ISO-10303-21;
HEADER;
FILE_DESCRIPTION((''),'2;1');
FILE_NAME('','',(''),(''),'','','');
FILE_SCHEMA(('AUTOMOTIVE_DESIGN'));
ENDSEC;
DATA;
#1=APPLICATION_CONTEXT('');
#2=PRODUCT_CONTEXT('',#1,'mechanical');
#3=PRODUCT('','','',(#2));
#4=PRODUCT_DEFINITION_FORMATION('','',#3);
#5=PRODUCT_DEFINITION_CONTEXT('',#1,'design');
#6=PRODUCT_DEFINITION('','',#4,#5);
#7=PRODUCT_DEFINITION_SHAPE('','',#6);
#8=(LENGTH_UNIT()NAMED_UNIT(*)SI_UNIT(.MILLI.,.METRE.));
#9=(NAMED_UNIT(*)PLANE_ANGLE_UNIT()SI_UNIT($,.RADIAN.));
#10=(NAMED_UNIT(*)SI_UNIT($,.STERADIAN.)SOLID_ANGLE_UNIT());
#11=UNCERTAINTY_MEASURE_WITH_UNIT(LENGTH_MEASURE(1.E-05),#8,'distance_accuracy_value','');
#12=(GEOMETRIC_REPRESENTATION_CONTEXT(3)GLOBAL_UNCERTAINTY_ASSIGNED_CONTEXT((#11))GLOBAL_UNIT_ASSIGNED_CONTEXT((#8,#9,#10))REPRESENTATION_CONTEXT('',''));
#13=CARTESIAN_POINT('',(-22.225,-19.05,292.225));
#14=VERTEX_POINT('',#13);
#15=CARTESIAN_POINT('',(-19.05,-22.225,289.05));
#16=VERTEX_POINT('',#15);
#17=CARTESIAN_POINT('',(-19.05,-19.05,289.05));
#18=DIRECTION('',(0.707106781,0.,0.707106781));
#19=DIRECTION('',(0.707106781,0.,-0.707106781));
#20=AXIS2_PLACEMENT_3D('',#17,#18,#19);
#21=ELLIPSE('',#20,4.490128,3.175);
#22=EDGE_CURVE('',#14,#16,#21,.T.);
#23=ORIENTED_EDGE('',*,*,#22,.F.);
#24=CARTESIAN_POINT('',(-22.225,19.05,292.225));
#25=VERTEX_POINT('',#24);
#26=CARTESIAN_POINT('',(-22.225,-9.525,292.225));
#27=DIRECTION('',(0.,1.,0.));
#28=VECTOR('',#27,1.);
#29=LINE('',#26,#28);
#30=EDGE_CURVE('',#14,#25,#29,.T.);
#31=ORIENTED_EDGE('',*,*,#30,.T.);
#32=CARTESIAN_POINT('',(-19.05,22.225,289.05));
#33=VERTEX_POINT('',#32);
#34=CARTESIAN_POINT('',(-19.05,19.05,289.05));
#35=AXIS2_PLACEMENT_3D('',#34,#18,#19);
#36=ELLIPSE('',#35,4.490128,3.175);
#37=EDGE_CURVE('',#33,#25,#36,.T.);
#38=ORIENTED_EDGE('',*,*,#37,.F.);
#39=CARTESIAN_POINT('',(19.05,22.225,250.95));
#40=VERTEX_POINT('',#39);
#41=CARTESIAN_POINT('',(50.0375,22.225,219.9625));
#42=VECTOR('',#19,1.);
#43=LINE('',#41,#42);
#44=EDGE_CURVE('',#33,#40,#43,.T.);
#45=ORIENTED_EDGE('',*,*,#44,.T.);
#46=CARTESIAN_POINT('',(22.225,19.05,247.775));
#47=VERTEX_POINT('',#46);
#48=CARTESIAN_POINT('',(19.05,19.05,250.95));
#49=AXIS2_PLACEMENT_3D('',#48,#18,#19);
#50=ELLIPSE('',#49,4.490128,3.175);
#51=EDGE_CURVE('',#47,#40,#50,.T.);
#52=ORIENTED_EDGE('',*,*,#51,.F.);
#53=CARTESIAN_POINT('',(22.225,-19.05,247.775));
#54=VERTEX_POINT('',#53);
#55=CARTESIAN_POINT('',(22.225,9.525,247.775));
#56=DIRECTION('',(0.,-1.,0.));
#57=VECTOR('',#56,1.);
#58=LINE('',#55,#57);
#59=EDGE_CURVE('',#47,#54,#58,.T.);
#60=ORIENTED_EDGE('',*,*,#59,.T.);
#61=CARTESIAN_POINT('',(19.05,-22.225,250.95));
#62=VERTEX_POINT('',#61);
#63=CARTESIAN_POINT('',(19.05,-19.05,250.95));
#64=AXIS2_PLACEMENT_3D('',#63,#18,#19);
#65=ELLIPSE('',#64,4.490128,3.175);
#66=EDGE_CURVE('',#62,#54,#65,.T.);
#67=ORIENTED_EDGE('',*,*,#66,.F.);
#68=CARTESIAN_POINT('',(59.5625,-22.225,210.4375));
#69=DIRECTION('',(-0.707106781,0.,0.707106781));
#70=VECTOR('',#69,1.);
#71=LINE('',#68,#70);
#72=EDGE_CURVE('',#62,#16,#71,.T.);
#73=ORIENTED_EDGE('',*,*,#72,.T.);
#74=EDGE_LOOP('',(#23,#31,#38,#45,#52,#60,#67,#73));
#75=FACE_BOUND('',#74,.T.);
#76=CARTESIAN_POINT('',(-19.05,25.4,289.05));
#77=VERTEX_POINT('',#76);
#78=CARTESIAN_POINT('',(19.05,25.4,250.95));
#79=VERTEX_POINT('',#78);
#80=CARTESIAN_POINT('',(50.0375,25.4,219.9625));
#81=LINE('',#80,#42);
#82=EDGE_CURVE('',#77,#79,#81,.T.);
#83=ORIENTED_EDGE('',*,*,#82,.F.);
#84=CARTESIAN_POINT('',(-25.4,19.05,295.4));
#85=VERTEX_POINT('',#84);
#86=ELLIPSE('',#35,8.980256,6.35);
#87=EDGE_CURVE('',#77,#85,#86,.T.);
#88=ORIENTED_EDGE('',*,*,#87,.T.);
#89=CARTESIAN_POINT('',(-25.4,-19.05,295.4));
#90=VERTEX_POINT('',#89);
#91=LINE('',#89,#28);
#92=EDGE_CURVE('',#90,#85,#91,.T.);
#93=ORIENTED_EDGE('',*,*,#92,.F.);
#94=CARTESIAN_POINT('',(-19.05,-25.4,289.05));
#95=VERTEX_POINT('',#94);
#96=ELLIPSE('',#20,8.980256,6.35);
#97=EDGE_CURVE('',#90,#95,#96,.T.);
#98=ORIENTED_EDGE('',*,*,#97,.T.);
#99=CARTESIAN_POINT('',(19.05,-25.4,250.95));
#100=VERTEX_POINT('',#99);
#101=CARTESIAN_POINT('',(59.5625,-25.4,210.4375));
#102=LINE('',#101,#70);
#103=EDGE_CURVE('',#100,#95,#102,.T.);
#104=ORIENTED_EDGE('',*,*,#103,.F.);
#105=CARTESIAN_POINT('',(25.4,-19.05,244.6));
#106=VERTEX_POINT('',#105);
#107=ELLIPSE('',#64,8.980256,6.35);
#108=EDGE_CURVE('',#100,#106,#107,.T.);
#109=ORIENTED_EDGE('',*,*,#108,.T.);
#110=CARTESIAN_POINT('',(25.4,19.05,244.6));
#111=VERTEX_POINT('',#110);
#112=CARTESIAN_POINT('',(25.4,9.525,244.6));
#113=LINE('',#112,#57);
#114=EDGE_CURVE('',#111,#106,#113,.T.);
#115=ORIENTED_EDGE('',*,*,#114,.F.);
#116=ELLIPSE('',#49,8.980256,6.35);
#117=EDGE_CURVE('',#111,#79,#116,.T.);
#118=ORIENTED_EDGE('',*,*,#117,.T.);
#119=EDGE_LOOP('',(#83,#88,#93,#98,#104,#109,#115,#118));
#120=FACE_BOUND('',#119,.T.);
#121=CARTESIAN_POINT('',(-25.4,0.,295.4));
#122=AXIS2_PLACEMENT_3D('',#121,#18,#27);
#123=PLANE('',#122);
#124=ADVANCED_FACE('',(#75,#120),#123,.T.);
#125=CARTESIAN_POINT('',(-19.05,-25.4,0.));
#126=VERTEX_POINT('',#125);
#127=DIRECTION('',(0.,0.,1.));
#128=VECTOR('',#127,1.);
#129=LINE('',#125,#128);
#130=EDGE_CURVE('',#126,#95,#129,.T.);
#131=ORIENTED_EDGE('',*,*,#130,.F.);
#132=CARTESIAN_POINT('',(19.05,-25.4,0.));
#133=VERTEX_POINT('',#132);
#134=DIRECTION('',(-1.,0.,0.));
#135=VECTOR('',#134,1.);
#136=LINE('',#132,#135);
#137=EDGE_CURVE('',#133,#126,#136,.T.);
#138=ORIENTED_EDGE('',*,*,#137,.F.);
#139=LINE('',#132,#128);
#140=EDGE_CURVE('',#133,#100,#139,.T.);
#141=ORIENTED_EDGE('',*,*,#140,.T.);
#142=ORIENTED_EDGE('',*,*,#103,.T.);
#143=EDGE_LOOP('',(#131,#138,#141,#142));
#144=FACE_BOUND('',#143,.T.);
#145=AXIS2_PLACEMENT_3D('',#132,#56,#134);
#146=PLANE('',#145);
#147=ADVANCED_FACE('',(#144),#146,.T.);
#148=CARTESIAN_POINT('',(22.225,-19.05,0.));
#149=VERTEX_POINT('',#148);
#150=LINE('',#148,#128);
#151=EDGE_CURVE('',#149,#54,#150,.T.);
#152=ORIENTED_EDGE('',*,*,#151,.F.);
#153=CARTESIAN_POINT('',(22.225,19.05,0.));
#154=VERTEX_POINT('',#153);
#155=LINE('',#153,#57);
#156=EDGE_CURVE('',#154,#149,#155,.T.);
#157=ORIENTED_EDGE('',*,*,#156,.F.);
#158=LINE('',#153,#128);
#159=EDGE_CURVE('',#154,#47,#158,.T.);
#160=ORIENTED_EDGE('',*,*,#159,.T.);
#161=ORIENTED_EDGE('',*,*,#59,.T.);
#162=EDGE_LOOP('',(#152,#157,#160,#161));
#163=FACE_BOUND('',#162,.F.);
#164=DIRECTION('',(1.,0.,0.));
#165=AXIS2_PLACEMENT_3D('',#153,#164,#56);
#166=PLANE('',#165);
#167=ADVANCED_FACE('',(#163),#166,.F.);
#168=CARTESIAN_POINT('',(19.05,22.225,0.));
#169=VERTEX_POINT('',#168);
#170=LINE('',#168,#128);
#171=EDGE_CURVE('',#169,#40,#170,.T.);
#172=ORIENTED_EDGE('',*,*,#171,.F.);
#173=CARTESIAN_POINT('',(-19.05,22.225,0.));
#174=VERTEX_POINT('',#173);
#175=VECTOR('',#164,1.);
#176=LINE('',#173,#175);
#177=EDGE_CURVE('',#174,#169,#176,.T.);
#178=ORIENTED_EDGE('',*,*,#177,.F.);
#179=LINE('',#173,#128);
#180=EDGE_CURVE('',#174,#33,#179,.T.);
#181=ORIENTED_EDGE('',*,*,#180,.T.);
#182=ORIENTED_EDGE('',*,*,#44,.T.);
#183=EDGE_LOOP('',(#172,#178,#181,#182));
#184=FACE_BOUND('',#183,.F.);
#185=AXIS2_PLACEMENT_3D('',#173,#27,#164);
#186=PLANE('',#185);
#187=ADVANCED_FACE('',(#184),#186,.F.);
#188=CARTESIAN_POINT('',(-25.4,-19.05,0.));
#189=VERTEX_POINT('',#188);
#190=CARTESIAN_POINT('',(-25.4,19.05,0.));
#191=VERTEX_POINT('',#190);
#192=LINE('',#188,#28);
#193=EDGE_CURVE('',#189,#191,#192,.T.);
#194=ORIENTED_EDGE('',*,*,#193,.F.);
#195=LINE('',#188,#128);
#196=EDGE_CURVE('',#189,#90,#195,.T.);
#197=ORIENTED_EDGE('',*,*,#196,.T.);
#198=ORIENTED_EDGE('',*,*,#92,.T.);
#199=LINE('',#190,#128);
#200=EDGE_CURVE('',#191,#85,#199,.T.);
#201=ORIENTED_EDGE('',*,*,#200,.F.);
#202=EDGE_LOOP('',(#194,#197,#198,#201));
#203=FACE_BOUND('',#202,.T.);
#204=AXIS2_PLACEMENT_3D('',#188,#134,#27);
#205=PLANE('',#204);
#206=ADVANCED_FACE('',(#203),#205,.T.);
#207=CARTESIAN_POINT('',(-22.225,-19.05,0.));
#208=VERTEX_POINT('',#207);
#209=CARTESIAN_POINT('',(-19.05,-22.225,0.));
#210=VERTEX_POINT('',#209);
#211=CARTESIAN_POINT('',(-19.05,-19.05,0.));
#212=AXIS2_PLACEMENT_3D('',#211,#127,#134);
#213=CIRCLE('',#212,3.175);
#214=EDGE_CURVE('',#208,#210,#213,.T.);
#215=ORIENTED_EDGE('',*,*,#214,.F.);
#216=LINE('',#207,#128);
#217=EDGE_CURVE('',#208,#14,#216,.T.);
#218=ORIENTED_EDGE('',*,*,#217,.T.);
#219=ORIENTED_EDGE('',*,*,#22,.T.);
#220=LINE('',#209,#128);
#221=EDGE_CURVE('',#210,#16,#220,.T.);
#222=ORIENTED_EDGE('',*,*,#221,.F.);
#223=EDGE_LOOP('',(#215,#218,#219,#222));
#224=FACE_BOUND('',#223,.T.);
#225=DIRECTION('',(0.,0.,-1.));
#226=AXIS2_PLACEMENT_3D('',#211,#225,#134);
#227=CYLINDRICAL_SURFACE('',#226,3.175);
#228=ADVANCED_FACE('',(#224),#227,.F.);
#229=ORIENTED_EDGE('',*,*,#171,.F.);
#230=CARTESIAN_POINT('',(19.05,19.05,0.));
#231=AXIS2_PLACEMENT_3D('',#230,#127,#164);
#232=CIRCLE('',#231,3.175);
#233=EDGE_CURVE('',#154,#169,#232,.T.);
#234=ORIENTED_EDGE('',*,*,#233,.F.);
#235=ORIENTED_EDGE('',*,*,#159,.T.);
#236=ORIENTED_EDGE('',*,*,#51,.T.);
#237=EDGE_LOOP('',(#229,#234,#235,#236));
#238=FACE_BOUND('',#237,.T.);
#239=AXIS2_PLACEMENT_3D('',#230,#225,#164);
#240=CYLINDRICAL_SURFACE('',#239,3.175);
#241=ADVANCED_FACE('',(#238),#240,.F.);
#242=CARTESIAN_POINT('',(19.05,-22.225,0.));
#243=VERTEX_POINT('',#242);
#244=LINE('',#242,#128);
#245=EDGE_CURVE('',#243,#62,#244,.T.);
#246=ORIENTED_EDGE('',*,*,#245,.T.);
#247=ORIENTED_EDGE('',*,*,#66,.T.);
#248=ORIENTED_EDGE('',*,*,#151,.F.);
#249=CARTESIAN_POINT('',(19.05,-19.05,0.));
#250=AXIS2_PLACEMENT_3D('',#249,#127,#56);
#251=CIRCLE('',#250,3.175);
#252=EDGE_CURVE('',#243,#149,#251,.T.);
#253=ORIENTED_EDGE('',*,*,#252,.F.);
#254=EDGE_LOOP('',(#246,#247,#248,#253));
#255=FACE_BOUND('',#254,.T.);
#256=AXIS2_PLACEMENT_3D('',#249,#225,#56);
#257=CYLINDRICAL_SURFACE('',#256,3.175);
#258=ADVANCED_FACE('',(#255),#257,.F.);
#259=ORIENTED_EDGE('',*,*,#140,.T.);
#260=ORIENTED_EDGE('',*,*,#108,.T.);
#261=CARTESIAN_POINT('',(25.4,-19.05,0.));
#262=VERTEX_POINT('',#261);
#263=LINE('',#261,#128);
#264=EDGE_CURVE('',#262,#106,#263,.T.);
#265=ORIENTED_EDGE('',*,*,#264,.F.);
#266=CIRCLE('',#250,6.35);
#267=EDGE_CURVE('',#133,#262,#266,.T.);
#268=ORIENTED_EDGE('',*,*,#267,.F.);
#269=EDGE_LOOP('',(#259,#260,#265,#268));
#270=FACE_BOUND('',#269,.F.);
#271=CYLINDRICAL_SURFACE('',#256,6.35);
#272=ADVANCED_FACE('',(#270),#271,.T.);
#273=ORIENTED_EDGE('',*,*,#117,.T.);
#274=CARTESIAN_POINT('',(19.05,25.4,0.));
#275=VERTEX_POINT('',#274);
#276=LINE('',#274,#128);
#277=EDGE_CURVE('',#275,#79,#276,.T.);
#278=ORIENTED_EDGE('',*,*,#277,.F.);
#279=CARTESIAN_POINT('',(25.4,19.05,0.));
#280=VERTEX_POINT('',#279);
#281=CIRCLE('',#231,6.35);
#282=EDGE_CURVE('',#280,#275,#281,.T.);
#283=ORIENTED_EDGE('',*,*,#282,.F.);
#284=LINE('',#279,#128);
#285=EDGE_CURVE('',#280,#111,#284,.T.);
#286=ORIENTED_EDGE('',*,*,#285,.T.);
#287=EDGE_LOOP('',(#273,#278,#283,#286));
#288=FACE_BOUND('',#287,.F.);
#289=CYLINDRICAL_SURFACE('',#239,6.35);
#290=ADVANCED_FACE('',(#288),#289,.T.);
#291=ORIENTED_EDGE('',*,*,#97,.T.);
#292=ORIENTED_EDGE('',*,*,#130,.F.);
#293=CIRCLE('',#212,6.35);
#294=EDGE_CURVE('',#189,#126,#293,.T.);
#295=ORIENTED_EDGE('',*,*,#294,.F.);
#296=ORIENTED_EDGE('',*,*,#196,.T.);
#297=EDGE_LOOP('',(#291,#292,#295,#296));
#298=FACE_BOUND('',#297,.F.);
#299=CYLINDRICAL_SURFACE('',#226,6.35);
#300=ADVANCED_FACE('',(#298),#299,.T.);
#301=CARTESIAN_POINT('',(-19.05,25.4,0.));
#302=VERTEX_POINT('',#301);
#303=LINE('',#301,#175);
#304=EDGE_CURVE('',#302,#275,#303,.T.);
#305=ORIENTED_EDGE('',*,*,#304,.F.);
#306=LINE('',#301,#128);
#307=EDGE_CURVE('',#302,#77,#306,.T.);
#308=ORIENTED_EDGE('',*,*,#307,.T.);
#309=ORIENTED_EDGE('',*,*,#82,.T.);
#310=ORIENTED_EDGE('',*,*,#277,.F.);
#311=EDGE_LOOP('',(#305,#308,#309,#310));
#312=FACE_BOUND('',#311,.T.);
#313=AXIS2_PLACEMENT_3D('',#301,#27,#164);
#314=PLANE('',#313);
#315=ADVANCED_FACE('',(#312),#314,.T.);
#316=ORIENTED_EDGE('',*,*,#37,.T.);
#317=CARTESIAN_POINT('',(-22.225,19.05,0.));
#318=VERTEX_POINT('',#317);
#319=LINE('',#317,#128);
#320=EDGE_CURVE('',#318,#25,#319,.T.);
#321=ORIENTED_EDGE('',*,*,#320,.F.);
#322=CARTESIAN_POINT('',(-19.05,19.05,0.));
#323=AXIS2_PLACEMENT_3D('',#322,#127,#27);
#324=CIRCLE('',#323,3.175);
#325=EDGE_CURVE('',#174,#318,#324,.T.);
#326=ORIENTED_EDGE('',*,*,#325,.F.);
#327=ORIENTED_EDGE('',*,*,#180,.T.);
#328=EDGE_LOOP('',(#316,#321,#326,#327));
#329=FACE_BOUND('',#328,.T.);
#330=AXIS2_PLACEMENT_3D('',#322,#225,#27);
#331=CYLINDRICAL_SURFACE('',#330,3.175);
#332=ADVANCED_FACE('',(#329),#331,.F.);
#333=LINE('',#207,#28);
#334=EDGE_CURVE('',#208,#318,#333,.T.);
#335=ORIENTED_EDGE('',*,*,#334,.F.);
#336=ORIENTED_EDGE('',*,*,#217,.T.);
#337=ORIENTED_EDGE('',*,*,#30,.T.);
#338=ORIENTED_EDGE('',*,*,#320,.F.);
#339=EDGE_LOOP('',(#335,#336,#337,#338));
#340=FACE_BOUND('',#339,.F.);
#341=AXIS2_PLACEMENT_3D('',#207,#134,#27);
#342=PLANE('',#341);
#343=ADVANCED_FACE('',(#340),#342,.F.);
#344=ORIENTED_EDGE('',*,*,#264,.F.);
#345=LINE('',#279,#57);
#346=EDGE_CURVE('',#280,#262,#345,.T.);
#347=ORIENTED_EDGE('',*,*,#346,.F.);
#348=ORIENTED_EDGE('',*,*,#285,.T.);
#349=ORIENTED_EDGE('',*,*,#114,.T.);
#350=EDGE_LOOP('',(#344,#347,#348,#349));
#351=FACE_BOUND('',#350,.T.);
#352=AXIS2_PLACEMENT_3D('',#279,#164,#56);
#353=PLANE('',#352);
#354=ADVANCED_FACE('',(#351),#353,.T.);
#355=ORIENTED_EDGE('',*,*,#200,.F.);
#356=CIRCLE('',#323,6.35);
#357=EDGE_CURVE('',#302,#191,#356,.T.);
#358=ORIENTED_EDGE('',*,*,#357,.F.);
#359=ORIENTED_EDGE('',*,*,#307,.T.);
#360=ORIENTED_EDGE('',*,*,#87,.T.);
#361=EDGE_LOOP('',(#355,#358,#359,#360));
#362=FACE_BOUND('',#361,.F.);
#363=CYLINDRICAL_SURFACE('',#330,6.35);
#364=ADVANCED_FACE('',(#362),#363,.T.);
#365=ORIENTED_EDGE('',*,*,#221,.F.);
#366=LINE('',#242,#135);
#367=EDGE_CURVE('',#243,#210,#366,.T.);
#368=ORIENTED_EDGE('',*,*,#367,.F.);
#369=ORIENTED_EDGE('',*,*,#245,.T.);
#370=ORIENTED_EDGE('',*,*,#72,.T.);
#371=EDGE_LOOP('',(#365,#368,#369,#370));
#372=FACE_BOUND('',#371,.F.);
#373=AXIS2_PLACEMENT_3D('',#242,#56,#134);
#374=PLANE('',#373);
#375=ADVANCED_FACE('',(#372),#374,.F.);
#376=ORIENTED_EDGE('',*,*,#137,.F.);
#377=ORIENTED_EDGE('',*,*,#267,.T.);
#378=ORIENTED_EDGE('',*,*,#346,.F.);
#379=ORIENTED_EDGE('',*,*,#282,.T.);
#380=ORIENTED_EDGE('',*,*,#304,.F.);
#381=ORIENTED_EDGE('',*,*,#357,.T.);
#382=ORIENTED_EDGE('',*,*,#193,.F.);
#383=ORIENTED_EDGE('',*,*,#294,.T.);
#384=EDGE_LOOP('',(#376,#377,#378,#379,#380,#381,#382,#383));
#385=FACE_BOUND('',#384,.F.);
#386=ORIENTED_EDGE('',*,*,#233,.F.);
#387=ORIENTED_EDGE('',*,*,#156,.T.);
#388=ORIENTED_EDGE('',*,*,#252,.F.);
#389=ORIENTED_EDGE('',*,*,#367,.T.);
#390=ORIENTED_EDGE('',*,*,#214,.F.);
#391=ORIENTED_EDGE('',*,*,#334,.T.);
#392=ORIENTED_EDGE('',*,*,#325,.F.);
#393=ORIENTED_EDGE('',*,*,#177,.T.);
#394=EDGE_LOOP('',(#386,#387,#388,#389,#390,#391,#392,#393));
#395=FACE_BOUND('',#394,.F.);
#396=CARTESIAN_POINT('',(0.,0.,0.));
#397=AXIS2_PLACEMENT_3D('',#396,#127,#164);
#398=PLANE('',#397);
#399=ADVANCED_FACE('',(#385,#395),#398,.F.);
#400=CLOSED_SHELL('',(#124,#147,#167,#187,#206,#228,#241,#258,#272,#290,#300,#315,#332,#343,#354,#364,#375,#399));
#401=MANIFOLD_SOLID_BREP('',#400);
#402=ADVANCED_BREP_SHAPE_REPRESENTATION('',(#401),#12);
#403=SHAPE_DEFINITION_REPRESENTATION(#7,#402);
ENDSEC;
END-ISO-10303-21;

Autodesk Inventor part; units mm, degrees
ref_plane "Plano inicial" through (0, 0, 0) normal (0, 0, 1) x (1, 0, 0)
ref_plane "Plano final" through (0, 0, 295.4) normal (0, 0, 1) x (1, 0, 0)
sketch "Boceto" plane through (0, 0, 0) normal (0, 0, 1) x (1, 0, 0)
  line L0 (-25.4, -19.05) -> (-25.4, 19.05)
  line L1 (-19.05, 25.4) -> (19.05, 25.4)
  line L2 (25.4, 19.05) -> (25.4, -19.05)
  line L3 (19.05, -25.4) -> (-19.05, -25.4)
  arc A0 (-25.4, -19.05) -> (-19.05, -25.4) centre (-19.05, -19.05) ccw
  arc A1 (-19.05, 25.4) -> (-25.4, 19.05) centre (-19.05, 19.05) ccw
  arc A2 (25.4, 19.05) -> (19.05, 25.4) centre (19.05, 19.05) ccw
  arc A3 (19.05, -25.4) -> (25.4, -19.05) centre (19.05, -19.05) ccw
  arc A4 (-19.05, 22.225) -> (-22.225, 19.05) centre (-19.05, 19.05) ccw
  line L4 (-19.05, 22.225) -> (19.05, 22.225)
  arc A5 (22.225, 19.05) -> (19.05, 22.225) centre (19.05, 19.05) ccw
  line L5 (22.225, 19.05) -> (22.225, -19.05)
  arc A6 (19.05, -22.225) -> (22.225, -19.05) centre (19.05, -19.05) ccw
  line L6 (19.05, -22.225) -> (-19.05, -22.225)
  arc A7 (-22.225, -19.05) -> (-19.05, -22.225) centre (-19.05, -19.05) ccw
  line L7 (-22.225, -19.05) -> (-22.225, 19.05)
  line L8 (0, 37.4012) -> (0, -37.4012) construction
  line L9 (-37.4012, 0) -> (37.4012, 0) construction
  dimension "d10" = 50.8
  dimension "d11" = 50.8
  dimension "d12" = 3.175
  dimension "d15" = 25.4
  dimension "d16" = 25.4
  dimension "d17" = 6.35
extrude "Cuerpo" add sketch "Boceto" along normal up to surface (295.4 mm away) from surface at 0
sketch "Sketch3" plane through (0, 0, 0) normal (0, 0, 1) x (1, 0, 0)
  line L0 (0, 0) -> (10, 0)
ref_plane "Work Plane3" through (0, 0, 0) normal (0, -1, 0) x (1, 0, 0)
ref_plane "Plano de trabajo4" through (-25.4, 0, 295.4) normal (0.7071, 0, 0.7071) x (0.7071, 0, -0.7071)
split "Dividir1" plane through (-25.4, 0, 295.4) removes the side toward (0.7071, 0, 0.7071)
sketch "Sketch4" plane through (0, 0, 0) normal (0, -1, 0) x (1, 0, 0)
  line L0 (-2, 0) -> (12, 0) projected
  line L1 (-2, 295.4) -> (12, 295.4) projected
  dimension "d19" = 295.4
equation "\"d10\" = G_H"
equation "\"d11\" = G_W"
equation "\"d12\" = G_T"
equation "\"d15\" = 0.5 * d10"
equation "\"d16\" = 0.5 * d11"
equation "\"d17\" = G_IR"
equation "\"d3\" = G_L"
equation "\"G_W\" = 50.8"
equation "\"G_H\" = 50.8"
equation "\"G_T\" = 3.175"
equation "\"G_IR\" = 6.35"
equation "\"G_L\" = d19"
equation "\"G_OFFSET_START\" = 0"
equation "\"G_OFFSET_END\" = 25.4"
equation "\"d14\" = G_OFFSET_END + B_L"
equation "\"B_L\" = 270"
properties part number "AISC - 2 x 2 x 1/8 - 11,63" material "Acero, suave"
